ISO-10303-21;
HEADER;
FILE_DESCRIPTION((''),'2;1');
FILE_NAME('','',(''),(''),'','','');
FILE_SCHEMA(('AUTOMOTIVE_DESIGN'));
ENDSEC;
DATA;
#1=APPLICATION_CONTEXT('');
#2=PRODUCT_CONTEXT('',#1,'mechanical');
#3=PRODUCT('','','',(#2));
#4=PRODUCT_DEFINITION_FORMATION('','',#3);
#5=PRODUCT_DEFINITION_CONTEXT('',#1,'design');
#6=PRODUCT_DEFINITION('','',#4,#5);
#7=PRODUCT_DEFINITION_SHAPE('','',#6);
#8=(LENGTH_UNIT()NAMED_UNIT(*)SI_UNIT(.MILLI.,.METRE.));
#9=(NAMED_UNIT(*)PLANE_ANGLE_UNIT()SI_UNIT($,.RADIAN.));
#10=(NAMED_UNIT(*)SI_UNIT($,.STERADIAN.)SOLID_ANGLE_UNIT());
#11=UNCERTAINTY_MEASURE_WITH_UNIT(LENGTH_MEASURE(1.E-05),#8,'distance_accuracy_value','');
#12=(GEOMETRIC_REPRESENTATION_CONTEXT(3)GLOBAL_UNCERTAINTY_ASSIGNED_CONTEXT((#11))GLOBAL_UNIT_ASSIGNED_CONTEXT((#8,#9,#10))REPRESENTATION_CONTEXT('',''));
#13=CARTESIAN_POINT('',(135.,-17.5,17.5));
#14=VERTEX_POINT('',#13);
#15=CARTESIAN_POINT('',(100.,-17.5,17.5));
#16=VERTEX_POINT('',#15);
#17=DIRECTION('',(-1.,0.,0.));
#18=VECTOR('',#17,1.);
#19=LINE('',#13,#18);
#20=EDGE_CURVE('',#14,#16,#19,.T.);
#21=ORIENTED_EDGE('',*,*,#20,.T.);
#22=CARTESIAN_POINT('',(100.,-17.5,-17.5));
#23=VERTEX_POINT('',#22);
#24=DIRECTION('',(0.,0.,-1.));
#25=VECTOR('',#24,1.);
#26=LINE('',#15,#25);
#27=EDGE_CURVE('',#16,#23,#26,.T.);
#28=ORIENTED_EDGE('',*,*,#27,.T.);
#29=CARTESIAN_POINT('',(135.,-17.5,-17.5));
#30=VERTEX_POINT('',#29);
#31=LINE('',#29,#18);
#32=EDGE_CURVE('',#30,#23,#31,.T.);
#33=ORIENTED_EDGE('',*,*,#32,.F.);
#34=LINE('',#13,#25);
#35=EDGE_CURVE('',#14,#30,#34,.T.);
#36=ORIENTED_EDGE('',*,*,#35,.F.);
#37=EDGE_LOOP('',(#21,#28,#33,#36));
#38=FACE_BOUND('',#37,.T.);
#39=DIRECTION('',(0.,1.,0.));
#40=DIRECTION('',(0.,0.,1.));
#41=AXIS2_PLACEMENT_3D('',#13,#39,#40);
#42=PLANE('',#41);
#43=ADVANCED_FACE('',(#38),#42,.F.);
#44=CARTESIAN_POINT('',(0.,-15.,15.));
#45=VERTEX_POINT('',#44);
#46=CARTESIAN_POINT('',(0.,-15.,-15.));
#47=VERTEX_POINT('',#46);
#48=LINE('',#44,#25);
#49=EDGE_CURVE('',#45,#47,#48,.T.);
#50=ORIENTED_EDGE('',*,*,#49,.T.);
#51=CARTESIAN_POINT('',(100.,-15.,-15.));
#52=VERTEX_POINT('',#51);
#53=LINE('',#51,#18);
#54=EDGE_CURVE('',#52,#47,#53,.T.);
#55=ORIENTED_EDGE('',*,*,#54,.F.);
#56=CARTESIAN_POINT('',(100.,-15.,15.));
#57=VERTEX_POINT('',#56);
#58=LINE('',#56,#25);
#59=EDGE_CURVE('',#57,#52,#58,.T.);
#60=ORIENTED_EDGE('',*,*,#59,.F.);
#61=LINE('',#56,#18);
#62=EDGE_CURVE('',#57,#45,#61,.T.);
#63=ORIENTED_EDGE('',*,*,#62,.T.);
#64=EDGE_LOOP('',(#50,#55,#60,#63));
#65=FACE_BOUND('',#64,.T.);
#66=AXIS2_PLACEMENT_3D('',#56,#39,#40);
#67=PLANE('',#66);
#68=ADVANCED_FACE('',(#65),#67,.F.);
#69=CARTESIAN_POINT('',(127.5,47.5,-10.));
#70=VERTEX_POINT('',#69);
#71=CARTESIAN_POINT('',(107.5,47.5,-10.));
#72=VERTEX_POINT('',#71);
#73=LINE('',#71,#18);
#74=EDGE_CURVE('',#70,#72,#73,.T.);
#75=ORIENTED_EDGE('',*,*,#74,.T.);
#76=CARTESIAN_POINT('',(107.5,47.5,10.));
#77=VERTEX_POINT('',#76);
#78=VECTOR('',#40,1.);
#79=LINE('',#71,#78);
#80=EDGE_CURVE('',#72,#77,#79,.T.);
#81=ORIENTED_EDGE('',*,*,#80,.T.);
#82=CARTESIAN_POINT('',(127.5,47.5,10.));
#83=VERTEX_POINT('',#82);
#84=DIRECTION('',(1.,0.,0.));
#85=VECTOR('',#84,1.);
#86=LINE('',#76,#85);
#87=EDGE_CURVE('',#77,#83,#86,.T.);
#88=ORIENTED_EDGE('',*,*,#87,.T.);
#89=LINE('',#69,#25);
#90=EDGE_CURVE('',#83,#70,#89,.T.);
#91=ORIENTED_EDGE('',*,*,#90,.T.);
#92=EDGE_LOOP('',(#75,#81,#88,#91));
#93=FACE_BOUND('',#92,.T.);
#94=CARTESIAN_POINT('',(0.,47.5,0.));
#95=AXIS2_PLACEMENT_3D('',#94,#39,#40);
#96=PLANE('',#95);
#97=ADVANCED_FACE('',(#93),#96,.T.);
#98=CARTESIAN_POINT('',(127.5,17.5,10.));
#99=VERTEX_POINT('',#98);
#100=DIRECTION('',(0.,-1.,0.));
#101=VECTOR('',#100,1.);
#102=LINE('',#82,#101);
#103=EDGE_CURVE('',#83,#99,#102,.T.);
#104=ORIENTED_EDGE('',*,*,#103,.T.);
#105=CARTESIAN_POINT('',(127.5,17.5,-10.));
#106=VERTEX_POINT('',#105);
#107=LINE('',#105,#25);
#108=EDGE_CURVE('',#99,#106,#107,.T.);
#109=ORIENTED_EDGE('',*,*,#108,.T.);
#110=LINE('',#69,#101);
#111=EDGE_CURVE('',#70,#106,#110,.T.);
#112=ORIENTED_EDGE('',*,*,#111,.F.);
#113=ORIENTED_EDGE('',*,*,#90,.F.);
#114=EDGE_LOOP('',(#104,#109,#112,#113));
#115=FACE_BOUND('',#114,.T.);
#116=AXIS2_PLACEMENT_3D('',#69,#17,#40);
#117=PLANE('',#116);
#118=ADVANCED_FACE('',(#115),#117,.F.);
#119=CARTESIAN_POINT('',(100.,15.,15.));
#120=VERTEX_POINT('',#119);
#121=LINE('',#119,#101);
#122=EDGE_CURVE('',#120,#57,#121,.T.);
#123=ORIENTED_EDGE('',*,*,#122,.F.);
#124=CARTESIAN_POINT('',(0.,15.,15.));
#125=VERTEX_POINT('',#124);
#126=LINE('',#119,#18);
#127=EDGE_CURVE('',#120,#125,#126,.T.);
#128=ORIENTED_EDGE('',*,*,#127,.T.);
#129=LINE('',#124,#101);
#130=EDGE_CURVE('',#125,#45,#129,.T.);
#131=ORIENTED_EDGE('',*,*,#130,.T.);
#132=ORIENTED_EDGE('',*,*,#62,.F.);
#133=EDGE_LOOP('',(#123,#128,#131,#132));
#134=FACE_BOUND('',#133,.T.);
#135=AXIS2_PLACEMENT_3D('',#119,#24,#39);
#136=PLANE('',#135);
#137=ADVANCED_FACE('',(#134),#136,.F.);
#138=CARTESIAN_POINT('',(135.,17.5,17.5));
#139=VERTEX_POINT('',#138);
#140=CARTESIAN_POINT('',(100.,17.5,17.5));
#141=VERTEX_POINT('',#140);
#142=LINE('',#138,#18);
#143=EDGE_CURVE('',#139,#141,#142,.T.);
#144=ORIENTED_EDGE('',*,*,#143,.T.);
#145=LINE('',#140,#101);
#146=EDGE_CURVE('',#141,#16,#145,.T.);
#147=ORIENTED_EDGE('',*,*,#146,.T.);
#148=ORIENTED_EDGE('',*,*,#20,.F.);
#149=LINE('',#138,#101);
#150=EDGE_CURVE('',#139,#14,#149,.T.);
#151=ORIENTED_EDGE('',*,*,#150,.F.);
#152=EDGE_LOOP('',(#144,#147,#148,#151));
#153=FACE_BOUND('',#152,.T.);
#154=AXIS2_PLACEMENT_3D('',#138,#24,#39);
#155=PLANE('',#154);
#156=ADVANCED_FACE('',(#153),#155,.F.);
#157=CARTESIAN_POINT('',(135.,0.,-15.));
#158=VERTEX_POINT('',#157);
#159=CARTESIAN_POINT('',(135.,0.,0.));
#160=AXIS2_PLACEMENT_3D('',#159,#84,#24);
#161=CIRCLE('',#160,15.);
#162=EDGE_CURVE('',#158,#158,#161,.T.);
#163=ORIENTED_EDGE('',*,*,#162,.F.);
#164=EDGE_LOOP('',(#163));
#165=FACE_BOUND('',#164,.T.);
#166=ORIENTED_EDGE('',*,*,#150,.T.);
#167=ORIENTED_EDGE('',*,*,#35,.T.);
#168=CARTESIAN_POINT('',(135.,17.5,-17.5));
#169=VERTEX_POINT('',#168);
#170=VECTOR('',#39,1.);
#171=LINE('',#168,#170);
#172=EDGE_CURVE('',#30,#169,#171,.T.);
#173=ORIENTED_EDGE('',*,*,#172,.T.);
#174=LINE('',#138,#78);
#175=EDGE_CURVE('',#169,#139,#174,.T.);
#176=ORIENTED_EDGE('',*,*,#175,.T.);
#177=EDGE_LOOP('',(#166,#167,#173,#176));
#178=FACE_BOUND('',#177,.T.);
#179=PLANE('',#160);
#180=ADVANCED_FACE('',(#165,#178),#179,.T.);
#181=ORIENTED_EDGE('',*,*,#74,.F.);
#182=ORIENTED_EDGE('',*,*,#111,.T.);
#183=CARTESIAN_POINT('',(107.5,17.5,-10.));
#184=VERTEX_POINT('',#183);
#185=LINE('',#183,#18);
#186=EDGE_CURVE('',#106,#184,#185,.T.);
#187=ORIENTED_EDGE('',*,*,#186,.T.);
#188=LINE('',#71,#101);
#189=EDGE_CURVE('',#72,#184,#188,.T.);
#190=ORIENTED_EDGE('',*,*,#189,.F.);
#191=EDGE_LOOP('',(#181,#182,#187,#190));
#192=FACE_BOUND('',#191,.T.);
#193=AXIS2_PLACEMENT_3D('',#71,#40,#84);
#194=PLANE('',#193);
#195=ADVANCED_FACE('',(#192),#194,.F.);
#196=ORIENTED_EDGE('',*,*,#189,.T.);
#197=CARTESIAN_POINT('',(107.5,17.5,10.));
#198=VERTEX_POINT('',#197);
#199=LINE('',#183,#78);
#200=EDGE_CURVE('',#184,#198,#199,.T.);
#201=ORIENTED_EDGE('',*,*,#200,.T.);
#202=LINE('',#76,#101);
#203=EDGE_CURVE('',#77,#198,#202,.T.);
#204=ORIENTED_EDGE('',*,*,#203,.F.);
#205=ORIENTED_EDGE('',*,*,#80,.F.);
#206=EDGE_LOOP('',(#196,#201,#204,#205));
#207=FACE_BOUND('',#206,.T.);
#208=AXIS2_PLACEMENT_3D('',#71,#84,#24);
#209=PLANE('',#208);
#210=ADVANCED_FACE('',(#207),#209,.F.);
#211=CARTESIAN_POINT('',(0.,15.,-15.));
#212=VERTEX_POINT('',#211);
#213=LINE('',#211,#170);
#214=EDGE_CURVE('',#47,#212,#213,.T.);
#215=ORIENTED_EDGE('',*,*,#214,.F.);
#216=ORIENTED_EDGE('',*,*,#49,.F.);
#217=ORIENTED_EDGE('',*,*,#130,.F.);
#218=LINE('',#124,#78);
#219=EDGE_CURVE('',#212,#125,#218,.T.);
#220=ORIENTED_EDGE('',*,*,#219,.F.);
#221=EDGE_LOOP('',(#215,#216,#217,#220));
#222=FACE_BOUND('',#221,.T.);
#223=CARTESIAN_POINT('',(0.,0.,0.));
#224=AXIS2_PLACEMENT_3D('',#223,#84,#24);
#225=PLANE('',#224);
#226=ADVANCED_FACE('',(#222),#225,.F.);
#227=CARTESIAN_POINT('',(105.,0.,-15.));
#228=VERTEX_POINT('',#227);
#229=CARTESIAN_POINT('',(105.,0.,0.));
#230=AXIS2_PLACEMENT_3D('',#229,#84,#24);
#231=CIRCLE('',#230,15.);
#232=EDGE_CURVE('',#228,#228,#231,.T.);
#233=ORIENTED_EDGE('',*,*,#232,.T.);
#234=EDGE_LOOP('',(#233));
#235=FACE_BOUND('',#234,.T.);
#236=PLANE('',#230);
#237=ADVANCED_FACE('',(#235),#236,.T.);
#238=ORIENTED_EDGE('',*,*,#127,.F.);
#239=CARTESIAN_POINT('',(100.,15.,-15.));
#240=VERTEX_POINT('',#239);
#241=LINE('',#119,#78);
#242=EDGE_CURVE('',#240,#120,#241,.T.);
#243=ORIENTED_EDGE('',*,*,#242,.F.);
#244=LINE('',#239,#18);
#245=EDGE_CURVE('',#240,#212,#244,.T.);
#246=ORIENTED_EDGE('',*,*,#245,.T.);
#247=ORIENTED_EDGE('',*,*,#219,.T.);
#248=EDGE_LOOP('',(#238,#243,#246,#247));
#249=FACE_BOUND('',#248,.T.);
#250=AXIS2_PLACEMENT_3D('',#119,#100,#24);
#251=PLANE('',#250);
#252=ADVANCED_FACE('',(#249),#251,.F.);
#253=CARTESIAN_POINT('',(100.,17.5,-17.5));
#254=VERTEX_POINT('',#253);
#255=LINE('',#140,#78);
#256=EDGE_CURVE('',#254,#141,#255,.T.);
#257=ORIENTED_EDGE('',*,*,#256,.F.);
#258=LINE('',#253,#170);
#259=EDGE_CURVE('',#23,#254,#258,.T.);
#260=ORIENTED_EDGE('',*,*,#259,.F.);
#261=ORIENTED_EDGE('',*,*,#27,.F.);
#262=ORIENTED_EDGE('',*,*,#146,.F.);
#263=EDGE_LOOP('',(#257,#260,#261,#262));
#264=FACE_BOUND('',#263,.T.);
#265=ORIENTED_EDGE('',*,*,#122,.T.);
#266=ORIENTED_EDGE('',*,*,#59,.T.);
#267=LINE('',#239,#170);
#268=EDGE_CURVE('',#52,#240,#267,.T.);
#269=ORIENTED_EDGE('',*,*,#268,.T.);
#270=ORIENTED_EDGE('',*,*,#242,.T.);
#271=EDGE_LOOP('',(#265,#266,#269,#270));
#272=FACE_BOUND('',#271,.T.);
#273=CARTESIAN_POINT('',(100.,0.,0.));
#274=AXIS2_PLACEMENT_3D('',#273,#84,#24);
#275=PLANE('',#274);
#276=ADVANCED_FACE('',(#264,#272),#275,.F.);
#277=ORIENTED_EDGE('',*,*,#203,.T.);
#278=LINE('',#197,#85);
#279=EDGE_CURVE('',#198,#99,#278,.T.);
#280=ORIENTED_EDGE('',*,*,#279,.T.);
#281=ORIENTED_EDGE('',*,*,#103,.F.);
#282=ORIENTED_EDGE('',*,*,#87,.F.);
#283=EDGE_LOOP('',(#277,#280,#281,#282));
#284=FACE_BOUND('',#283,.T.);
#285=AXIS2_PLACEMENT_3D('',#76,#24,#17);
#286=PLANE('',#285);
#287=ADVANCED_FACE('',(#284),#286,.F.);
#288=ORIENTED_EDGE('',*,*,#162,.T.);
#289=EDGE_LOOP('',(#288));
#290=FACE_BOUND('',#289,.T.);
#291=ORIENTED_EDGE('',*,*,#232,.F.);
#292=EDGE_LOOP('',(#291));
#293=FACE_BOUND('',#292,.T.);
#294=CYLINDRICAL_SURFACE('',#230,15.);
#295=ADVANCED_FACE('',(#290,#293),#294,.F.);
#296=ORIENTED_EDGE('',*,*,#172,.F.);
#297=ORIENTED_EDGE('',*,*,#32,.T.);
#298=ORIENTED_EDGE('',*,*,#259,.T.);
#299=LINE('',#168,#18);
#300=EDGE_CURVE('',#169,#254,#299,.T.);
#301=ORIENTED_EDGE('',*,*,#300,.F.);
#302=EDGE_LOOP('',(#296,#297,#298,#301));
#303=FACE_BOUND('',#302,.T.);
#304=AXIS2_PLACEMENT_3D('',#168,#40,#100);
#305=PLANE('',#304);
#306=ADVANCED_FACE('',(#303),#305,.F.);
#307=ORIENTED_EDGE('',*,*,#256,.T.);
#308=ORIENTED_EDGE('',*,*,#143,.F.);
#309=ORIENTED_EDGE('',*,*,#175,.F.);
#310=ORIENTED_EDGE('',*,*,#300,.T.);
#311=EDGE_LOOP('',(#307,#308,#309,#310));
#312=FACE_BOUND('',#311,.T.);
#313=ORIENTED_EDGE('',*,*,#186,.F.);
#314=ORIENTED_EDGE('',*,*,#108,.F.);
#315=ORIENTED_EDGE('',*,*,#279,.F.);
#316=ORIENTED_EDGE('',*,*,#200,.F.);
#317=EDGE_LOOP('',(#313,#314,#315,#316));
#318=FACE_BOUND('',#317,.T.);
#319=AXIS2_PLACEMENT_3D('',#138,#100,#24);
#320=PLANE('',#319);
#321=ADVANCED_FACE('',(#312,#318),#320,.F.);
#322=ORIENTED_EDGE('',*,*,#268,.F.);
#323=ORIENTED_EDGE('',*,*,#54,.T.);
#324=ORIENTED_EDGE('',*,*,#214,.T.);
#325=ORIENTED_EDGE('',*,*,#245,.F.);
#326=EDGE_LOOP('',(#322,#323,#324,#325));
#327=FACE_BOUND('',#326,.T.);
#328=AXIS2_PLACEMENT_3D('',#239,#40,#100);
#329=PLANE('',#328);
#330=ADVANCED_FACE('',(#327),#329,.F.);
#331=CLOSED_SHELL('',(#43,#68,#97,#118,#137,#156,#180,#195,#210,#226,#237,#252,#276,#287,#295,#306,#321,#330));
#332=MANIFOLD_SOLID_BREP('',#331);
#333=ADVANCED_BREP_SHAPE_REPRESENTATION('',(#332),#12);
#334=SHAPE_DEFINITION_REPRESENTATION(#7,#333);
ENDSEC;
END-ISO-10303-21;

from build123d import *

# Parameters (mm, degrees)
SKETCH1_W           = 30
SKETCH1_H           = 30
BOSS_EXTRUDE1_DEPTH = 100
SKETCH2_W           = 35
SKETCH2_H           = 35
BOSS_EXTRUDE2_DEPTH = 35
SKETCH3_R           = 15
CUT_EXTRUDE1_DEPTH  = 30
SKETCH4_W           = 20
SKETCH4_H           = 20
BOSS_EXTRUDE3_DEPTH = 30


with BuildPart() as part:
    # Sketch1 → Boss-Extrude1 (new body)
    with BuildSketch(Plane(origin=(0, 0, 0), x_dir=(0, 0, -1), z_dir=(1, 0, 0))):
        Rectangle(SKETCH1_W, SKETCH1_H)
    extrude(amount=BOSS_EXTRUDE1_DEPTH)

    # Sketch2 → Boss-Extrude2 (add)
    with BuildSketch(Plane(origin=(100, 0, 0), x_dir=(0, 0, -1), z_dir=(1, 0, 0))):
        Rectangle(SKETCH2_W, SKETCH2_H)
    extrude(amount=BOSS_EXTRUDE2_DEPTH)

    # Sketch3 → Cut-Extrude1 (cut)
    with BuildSketch(Plane(origin=(135, 0, 0), x_dir=(0, 0, -1), z_dir=(1, 0, 0))):
        Circle(SKETCH3_R)
    extrude(amount=-CUT_EXTRUDE1_DEPTH, mode=Mode.SUBTRACT)

    # Sketch4 → Boss-Extrude3 (add)
    with BuildSketch(Plane(origin=(0, 17.5, 0), x_dir=(1, 0, 0), z_dir=(0, 1, 0))):
        with Locations((117.5, 0)):
            Rectangle(SKETCH4_W, SKETCH4_H)
    extrude(amount=BOSS_EXTRUDE3_DEPTH)


solid = part.part
